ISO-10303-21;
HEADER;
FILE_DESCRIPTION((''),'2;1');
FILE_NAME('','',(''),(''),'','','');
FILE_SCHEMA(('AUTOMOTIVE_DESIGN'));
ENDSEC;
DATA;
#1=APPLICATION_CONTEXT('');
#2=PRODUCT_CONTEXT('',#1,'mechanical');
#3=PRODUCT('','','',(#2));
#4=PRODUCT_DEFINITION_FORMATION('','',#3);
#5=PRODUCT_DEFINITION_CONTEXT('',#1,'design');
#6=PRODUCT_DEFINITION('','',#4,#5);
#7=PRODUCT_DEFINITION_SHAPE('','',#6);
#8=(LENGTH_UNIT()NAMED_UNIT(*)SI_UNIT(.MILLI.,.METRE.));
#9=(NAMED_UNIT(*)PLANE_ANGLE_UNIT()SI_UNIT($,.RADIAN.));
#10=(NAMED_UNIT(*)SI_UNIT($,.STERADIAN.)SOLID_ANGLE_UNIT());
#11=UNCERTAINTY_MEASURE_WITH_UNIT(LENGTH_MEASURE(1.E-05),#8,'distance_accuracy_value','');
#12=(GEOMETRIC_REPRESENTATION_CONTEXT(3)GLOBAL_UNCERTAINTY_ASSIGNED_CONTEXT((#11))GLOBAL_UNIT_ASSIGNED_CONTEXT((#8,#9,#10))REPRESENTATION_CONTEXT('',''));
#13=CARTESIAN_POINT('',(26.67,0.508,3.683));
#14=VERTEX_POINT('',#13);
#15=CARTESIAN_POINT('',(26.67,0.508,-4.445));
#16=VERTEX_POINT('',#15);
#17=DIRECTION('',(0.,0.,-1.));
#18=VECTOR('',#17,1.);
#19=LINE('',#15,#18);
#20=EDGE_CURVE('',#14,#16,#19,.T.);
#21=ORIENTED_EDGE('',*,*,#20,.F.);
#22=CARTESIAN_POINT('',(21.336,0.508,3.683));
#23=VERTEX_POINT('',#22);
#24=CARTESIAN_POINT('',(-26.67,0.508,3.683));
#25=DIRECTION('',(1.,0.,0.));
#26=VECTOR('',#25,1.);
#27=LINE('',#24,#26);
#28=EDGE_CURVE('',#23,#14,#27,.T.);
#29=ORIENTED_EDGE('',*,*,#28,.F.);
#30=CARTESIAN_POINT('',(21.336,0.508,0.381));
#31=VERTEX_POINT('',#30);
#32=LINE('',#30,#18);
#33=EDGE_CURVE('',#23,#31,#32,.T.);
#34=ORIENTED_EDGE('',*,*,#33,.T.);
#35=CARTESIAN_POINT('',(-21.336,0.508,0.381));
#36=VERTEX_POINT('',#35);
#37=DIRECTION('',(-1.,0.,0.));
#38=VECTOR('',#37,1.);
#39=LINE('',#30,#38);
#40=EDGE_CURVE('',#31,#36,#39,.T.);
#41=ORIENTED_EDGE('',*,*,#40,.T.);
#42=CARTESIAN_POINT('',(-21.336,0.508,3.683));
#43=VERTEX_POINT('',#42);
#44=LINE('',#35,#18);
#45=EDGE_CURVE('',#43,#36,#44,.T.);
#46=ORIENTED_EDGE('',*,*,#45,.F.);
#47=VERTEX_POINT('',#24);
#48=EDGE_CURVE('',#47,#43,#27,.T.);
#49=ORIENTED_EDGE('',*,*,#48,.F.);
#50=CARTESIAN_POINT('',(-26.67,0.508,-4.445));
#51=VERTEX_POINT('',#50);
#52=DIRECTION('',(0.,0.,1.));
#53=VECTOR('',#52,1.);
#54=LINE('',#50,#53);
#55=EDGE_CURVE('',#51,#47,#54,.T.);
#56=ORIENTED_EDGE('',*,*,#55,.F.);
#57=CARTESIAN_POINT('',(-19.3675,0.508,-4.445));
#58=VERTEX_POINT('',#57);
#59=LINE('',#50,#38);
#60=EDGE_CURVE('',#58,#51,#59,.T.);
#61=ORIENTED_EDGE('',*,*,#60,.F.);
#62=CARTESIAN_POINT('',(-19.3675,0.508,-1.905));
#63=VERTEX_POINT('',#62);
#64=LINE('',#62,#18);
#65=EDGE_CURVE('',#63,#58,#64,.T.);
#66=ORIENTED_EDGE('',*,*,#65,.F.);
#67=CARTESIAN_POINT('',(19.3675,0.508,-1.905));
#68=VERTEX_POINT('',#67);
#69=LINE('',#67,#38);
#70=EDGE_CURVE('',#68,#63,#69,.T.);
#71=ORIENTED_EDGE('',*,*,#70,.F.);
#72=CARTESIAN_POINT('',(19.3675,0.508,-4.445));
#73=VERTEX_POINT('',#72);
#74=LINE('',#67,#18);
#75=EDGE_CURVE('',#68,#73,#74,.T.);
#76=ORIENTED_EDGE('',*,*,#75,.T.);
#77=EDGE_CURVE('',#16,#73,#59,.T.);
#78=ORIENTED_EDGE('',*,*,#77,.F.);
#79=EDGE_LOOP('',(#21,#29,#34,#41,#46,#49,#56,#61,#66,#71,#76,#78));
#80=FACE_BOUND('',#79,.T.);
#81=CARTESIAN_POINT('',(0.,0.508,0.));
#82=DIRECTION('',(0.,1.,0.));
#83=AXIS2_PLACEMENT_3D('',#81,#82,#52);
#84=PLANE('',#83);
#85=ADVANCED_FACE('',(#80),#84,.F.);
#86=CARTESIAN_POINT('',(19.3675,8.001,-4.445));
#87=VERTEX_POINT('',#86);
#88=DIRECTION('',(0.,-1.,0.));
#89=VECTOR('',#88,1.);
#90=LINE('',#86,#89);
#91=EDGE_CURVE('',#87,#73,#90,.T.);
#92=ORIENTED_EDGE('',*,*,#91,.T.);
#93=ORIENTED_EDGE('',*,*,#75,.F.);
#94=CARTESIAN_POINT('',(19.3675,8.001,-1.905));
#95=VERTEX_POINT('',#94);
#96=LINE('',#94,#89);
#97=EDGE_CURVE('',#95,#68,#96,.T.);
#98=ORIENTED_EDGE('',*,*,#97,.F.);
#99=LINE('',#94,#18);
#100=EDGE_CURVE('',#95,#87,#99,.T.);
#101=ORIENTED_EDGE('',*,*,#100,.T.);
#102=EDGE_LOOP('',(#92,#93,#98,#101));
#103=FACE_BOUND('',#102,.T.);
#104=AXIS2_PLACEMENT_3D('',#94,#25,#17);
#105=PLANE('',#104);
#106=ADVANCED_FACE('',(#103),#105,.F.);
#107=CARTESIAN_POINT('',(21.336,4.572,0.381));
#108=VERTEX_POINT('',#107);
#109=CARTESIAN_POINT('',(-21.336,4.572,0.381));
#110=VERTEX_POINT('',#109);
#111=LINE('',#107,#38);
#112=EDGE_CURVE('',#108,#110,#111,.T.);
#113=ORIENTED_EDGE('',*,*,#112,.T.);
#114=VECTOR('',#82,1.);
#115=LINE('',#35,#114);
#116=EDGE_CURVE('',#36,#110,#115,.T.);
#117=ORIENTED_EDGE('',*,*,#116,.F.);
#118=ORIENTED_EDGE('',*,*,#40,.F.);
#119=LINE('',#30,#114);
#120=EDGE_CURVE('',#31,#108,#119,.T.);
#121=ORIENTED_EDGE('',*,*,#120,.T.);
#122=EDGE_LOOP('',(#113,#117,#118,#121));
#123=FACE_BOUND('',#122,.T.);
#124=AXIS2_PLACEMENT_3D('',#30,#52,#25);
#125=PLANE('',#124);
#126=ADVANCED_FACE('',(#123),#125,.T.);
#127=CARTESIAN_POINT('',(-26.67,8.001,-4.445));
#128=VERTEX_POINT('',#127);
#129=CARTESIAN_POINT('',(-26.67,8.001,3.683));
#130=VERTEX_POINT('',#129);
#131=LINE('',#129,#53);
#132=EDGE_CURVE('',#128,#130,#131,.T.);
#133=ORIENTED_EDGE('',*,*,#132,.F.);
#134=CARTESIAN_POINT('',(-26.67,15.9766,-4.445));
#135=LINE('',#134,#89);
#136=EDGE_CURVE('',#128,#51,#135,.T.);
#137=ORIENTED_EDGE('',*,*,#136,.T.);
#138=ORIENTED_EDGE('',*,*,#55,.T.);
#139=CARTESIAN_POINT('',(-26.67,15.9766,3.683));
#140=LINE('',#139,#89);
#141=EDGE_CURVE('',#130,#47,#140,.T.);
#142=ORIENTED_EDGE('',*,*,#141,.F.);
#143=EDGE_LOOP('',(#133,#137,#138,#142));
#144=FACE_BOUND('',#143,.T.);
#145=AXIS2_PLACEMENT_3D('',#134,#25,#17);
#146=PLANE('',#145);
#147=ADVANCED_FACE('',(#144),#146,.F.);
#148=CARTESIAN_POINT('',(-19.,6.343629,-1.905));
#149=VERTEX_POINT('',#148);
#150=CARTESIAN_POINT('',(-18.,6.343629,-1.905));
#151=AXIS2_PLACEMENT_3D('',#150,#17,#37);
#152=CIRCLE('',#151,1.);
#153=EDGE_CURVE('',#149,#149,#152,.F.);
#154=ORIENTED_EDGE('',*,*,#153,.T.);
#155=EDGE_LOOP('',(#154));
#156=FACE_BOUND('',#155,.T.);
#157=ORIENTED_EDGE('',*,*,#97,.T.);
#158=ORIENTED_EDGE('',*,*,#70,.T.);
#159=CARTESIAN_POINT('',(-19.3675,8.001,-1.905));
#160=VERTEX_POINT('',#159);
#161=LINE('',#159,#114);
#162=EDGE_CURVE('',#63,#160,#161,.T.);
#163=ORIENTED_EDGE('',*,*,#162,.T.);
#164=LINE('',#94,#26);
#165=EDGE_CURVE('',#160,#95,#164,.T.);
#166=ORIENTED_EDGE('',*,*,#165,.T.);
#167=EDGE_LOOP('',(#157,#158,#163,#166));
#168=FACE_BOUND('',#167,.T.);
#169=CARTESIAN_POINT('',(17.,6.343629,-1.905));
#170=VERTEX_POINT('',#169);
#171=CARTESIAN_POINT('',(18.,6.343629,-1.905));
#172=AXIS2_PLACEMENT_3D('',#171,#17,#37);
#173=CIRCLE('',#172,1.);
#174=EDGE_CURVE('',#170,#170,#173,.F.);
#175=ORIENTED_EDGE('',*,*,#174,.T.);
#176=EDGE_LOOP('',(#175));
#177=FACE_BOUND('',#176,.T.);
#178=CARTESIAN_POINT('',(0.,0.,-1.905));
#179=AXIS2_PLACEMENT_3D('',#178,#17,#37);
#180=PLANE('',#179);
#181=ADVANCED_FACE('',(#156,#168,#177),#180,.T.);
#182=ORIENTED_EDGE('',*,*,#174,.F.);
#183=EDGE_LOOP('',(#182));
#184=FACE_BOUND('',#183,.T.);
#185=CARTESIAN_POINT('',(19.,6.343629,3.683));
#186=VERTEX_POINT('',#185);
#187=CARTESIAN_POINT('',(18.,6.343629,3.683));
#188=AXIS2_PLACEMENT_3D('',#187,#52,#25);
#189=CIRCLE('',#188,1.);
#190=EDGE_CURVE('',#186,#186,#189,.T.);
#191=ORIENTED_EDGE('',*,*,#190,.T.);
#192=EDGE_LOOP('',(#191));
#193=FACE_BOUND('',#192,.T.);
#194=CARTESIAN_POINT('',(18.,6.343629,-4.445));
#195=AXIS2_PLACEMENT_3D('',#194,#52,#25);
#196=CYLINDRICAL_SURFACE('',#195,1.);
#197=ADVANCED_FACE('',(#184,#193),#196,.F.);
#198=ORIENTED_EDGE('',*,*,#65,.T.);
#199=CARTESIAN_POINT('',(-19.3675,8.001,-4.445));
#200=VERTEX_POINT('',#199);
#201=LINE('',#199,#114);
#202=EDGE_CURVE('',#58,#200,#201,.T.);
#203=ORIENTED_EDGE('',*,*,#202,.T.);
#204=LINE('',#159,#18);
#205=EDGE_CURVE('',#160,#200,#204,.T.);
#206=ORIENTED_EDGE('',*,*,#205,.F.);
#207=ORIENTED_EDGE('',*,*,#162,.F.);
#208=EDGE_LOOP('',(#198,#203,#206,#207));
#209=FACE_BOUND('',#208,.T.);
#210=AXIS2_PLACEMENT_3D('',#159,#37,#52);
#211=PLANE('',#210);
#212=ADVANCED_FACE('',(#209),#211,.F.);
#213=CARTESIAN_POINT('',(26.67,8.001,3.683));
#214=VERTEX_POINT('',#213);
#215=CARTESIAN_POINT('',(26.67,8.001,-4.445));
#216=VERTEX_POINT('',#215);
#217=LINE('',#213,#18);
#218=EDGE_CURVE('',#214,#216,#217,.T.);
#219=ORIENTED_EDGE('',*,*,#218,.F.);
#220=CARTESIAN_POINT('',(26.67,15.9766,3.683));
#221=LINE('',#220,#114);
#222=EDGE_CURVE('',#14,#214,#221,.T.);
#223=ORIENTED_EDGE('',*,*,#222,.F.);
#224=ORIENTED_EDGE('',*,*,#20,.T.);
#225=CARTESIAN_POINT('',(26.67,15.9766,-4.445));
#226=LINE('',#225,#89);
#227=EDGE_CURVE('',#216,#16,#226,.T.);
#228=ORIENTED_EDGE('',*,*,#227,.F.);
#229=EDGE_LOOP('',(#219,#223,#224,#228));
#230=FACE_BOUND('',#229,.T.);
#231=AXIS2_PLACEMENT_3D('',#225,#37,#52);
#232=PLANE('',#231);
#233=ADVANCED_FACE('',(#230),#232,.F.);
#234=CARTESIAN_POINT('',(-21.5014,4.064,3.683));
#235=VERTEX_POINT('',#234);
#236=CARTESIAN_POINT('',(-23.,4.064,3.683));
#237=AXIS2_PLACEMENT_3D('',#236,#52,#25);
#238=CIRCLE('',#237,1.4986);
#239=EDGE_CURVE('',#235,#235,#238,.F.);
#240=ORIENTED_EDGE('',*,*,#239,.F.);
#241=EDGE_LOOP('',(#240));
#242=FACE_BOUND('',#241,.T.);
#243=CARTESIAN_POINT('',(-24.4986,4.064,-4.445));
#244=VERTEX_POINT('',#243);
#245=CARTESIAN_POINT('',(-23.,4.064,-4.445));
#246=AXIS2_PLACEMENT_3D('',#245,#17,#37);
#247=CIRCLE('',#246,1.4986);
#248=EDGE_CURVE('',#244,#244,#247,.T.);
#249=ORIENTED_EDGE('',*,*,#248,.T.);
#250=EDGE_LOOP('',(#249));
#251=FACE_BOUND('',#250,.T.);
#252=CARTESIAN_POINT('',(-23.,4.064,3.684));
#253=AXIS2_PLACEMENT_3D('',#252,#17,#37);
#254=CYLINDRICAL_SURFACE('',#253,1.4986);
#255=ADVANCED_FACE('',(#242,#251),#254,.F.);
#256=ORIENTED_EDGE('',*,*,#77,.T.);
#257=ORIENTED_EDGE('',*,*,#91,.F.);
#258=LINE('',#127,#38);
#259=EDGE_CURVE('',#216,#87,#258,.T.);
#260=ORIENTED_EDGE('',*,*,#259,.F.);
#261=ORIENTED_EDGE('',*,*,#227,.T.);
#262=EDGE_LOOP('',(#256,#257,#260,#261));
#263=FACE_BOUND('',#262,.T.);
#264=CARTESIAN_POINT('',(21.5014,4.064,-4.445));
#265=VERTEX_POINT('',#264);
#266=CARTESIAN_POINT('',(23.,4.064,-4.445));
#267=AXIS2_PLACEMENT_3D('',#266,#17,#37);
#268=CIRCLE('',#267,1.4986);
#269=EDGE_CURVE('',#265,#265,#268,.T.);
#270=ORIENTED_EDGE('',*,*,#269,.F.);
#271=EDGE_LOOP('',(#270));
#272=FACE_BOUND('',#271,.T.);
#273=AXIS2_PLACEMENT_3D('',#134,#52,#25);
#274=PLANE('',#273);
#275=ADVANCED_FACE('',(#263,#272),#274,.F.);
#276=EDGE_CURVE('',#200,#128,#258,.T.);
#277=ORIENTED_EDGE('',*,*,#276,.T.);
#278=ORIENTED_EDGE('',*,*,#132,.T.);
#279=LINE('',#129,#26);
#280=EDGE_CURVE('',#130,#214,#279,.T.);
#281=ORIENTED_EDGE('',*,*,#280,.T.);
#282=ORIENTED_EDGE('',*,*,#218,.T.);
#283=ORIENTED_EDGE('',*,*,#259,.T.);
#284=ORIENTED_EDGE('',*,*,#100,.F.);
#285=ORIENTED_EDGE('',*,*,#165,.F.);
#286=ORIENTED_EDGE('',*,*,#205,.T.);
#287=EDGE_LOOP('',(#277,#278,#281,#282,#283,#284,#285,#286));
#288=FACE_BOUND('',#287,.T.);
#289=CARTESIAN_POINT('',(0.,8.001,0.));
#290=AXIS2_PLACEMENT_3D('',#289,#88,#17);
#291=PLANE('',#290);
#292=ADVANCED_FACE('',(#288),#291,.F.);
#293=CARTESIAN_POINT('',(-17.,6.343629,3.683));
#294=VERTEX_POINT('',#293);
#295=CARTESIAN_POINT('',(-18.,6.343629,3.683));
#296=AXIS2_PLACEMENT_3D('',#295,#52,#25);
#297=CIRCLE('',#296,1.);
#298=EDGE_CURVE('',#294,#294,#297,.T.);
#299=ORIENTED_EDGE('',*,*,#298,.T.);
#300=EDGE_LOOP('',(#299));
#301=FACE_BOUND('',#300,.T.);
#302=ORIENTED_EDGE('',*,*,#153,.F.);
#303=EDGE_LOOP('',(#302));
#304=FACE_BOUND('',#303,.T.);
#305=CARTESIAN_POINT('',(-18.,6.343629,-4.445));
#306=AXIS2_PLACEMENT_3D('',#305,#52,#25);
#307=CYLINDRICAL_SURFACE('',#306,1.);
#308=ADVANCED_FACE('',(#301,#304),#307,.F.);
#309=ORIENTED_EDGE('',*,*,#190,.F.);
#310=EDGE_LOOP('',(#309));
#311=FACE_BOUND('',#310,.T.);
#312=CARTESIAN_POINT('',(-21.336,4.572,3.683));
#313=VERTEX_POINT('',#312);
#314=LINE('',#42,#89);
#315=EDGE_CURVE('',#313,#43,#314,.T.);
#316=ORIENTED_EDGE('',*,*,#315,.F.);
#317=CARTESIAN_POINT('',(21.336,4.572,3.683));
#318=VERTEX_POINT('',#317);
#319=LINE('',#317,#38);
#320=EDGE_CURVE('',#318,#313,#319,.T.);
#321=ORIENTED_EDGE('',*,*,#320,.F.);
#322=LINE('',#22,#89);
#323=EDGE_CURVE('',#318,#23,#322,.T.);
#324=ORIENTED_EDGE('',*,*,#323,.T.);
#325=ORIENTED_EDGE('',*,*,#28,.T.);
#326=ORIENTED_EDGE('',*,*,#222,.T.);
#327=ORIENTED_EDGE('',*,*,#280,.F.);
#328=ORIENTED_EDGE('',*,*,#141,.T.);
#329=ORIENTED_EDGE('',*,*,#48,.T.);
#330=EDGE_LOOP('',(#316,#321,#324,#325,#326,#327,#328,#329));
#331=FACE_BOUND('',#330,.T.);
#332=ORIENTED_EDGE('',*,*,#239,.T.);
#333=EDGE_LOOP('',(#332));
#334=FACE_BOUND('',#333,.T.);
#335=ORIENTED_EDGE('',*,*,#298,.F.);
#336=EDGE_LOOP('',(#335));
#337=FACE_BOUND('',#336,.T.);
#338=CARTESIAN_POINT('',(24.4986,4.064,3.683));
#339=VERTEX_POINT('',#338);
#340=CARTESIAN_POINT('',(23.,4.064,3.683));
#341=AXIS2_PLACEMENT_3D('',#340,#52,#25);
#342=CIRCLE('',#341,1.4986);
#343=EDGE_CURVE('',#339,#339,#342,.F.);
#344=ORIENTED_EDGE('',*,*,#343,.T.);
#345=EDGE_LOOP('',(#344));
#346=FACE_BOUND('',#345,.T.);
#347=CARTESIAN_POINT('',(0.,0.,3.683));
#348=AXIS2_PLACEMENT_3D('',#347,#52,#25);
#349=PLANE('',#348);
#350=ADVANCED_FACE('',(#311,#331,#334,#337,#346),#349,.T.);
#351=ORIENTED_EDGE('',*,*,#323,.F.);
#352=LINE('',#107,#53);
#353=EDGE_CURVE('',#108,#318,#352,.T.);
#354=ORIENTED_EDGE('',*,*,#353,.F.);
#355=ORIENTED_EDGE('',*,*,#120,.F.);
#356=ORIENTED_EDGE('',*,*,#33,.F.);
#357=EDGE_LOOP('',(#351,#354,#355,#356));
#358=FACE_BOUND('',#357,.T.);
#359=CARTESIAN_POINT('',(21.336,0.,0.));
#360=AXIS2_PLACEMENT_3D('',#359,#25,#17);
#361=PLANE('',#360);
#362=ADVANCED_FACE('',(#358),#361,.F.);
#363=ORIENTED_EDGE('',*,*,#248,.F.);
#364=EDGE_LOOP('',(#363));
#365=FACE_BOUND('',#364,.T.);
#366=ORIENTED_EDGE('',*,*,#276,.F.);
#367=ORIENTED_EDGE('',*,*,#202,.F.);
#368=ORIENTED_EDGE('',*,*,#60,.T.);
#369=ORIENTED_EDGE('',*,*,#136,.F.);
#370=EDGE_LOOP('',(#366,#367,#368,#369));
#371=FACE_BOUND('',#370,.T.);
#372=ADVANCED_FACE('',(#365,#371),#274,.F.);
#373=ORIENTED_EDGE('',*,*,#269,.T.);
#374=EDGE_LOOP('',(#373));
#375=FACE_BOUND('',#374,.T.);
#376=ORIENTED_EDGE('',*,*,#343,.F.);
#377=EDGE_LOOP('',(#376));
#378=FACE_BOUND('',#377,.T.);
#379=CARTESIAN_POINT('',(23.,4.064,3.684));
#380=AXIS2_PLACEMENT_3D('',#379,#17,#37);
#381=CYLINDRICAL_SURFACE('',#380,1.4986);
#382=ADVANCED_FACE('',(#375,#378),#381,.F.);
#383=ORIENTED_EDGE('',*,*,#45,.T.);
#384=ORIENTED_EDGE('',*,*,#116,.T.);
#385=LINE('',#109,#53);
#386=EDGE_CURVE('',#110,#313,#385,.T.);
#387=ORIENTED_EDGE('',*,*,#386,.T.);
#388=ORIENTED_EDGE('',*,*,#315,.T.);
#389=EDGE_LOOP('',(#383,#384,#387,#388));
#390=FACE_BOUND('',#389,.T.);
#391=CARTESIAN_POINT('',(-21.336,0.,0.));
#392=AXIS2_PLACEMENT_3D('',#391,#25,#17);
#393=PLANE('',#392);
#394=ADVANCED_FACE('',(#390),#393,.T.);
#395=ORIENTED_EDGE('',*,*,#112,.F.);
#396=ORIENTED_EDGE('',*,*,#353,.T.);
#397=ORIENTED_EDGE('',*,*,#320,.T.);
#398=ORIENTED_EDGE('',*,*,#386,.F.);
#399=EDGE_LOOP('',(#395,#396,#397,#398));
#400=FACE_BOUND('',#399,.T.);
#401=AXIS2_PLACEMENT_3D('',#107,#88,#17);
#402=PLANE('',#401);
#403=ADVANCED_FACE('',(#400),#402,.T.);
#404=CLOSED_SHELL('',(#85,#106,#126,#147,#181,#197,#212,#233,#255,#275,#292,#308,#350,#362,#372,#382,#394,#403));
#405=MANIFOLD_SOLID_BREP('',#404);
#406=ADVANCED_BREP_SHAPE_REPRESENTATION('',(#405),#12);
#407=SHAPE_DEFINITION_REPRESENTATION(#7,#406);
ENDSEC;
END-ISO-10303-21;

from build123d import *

# Parameters (mm, degrees)
SKETCH1_W                                   = 53.34
SKETCH1_H                                   = 8.89
F_16X19MM_BAR_SAWN_IN_HALF_WIDTH_WISE_DEPTH = 15.4686
SKETCH2_W                                   = 53.34
SKETCH2_H                                   = 15.4686
CUT_EXTRUDE1_DEPTH                          = 0.762
SKETCH4_W                                   = 53.34
SKETCH4_H                                   = 8.128
CUT_EXTRUDE2_DEPTH                          = 7.9756
SKETCH5_W                                   = 3.302
SKETCH5_H                                   = 4.064
CUT_EXTRUDE3_DEPTH                          = 21.336
CUT_EXTRUDE3_DEPTH_BACK                     = 21.336
M3_CLEARANCE_REACH                          = 10.128
SKETCH6_R                                   = 1.4986
SKETCH7_R                                   = 1
TAPPED_M2_DEPTH                             = 4.683
TAPPED_M2_DEPTH_BACK                        = 5.445
SKETCH10_W                                  = 38.735
SKETCH10_H                                  = 7.493
CUT_EXTRUDE6_DEPTH                          = 2.54


with BuildPart() as part:
    # Sketch1 → 16x19mm bar sawn in half width wise (new body)
    with BuildSketch(Plane(origin=(0, 0.508, 0), x_dir=(1, 0, 0), z_dir=(0, 1, 0))):
        Rectangle(SKETCH1_W, SKETCH1_H)
    extrude(amount=F_16X19MM_BAR_SAWN_IN_HALF_WIDTH_WISE_DEPTH)

    # Sketch2 → Cut-Extrude1 (cut)
    with BuildSketch(Plane.XY.offset(4.445)):
        with Locations((0, 8.2423)):
            Rectangle(SKETCH2_W, SKETCH2_H)
    extrude(amount=-CUT_EXTRUDE1_DEPTH, mode=Mode.SUBTRACT)

    # Sketch4 → Cut-Extrude2 (cut)
    with BuildSketch(Plane(origin=(0, 15.9766, 0), x_dir=(1, 0, 0), z_dir=(0, 1, 0))):
        with Locations((0, 0.381)):
            Rectangle(SKETCH4_W, SKETCH4_H)
    extrude(amount=-CUT_EXTRUDE2_DEPTH, mode=Mode.SUBTRACT)

    # Sketch5 → Cut-Extrude3 (cut, two sides)
    with BuildSketch(Plane(origin=(0, 0, 0), x_dir=(0, 0, -1), z_dir=(1, 0, 0))) as cut_extrude3_sk:
        with Locations((-2.032, 2.54)):
            Rectangle(SKETCH5_W, SKETCH5_H)
    extrude(amount=CUT_EXTRUDE3_DEPTH, mode=Mode.SUBTRACT)
    extrude(cut_extrude3_sk.sketch, amount=-CUT_EXTRUDE3_DEPTH_BACK, mode=Mode.SUBTRACT)

    # Sketch6 → M3 Clearance (cut, up to next)
    with BuildSketch(Plane(origin=(0, 0, -4.445), x_dir=(-1, 0, 0), z_dir=(0, 0, -1)), mode=Mode.PRIVATE) as m3_clearance_sk1:
        with Locations((23, 4.064)):
            Circle(SKETCH6_R)
    m3_clearance_tool1 = extrude(m3_clearance_sk1.sketch, amount=-M3_CLEARANCE_REACH, mode=Mode.PRIVATE) & part.part
    add(m3_clearance_tool1.solids().sort_by_distance((-23, 4.064, -4.445))[0], mode=Mode.SUBTRACT)
    # Sketch6 → M3 Clearance (cut, up to next)
    with BuildSketch(Plane(origin=(0, 0, -4.445), x_dir=(-1, 0, 0), z_dir=(0, 0, -1)), mode=Mode.PRIVATE) as m3_clearance_sk2:
        with Locations((-23, 4.064)):
            Circle(SKETCH6_R)
    m3_clearance_tool2 = extrude(m3_clearance_sk2.sketch, amount=-M3_CLEARANCE_REACH, mode=Mode.PRIVATE) & part.part
    add(m3_clearance_tool2.solids().sort_by_distance((23, 4.064, -4.445))[0], mode=Mode.SUBTRACT)

    # Sketch7 → Tapped M2 (cut, two sides)
    with BuildSketch(Plane.XY) as tapped_m2_sk:
        with Locations((18, 6.343629359)):
            Circle(SKETCH7_R)
        with Locations((-18, 6.343629359)):
            Circle(SKETCH7_R)
    extrude(amount=TAPPED_M2_DEPTH, mode=Mode.SUBTRACT)
    extrude(tapped_m2_sk.sketch, amount=-TAPPED_M2_DEPTH_BACK, mode=Mode.SUBTRACT)

    # Sketch10 → Cut-Extrude6 (cut)
    with BuildSketch(Plane(origin=(0, 0, -4.445), x_dir=(-1, 0, 0), z_dir=(0, 0, -1))):
        with Locations((0, 4.2545)):
            Rectangle(SKETCH10_W, SKETCH10_H)
    extrude(amount=-CUT_EXTRUDE6_DEPTH, mode=Mode.SUBTRACT)


solid = part.part
